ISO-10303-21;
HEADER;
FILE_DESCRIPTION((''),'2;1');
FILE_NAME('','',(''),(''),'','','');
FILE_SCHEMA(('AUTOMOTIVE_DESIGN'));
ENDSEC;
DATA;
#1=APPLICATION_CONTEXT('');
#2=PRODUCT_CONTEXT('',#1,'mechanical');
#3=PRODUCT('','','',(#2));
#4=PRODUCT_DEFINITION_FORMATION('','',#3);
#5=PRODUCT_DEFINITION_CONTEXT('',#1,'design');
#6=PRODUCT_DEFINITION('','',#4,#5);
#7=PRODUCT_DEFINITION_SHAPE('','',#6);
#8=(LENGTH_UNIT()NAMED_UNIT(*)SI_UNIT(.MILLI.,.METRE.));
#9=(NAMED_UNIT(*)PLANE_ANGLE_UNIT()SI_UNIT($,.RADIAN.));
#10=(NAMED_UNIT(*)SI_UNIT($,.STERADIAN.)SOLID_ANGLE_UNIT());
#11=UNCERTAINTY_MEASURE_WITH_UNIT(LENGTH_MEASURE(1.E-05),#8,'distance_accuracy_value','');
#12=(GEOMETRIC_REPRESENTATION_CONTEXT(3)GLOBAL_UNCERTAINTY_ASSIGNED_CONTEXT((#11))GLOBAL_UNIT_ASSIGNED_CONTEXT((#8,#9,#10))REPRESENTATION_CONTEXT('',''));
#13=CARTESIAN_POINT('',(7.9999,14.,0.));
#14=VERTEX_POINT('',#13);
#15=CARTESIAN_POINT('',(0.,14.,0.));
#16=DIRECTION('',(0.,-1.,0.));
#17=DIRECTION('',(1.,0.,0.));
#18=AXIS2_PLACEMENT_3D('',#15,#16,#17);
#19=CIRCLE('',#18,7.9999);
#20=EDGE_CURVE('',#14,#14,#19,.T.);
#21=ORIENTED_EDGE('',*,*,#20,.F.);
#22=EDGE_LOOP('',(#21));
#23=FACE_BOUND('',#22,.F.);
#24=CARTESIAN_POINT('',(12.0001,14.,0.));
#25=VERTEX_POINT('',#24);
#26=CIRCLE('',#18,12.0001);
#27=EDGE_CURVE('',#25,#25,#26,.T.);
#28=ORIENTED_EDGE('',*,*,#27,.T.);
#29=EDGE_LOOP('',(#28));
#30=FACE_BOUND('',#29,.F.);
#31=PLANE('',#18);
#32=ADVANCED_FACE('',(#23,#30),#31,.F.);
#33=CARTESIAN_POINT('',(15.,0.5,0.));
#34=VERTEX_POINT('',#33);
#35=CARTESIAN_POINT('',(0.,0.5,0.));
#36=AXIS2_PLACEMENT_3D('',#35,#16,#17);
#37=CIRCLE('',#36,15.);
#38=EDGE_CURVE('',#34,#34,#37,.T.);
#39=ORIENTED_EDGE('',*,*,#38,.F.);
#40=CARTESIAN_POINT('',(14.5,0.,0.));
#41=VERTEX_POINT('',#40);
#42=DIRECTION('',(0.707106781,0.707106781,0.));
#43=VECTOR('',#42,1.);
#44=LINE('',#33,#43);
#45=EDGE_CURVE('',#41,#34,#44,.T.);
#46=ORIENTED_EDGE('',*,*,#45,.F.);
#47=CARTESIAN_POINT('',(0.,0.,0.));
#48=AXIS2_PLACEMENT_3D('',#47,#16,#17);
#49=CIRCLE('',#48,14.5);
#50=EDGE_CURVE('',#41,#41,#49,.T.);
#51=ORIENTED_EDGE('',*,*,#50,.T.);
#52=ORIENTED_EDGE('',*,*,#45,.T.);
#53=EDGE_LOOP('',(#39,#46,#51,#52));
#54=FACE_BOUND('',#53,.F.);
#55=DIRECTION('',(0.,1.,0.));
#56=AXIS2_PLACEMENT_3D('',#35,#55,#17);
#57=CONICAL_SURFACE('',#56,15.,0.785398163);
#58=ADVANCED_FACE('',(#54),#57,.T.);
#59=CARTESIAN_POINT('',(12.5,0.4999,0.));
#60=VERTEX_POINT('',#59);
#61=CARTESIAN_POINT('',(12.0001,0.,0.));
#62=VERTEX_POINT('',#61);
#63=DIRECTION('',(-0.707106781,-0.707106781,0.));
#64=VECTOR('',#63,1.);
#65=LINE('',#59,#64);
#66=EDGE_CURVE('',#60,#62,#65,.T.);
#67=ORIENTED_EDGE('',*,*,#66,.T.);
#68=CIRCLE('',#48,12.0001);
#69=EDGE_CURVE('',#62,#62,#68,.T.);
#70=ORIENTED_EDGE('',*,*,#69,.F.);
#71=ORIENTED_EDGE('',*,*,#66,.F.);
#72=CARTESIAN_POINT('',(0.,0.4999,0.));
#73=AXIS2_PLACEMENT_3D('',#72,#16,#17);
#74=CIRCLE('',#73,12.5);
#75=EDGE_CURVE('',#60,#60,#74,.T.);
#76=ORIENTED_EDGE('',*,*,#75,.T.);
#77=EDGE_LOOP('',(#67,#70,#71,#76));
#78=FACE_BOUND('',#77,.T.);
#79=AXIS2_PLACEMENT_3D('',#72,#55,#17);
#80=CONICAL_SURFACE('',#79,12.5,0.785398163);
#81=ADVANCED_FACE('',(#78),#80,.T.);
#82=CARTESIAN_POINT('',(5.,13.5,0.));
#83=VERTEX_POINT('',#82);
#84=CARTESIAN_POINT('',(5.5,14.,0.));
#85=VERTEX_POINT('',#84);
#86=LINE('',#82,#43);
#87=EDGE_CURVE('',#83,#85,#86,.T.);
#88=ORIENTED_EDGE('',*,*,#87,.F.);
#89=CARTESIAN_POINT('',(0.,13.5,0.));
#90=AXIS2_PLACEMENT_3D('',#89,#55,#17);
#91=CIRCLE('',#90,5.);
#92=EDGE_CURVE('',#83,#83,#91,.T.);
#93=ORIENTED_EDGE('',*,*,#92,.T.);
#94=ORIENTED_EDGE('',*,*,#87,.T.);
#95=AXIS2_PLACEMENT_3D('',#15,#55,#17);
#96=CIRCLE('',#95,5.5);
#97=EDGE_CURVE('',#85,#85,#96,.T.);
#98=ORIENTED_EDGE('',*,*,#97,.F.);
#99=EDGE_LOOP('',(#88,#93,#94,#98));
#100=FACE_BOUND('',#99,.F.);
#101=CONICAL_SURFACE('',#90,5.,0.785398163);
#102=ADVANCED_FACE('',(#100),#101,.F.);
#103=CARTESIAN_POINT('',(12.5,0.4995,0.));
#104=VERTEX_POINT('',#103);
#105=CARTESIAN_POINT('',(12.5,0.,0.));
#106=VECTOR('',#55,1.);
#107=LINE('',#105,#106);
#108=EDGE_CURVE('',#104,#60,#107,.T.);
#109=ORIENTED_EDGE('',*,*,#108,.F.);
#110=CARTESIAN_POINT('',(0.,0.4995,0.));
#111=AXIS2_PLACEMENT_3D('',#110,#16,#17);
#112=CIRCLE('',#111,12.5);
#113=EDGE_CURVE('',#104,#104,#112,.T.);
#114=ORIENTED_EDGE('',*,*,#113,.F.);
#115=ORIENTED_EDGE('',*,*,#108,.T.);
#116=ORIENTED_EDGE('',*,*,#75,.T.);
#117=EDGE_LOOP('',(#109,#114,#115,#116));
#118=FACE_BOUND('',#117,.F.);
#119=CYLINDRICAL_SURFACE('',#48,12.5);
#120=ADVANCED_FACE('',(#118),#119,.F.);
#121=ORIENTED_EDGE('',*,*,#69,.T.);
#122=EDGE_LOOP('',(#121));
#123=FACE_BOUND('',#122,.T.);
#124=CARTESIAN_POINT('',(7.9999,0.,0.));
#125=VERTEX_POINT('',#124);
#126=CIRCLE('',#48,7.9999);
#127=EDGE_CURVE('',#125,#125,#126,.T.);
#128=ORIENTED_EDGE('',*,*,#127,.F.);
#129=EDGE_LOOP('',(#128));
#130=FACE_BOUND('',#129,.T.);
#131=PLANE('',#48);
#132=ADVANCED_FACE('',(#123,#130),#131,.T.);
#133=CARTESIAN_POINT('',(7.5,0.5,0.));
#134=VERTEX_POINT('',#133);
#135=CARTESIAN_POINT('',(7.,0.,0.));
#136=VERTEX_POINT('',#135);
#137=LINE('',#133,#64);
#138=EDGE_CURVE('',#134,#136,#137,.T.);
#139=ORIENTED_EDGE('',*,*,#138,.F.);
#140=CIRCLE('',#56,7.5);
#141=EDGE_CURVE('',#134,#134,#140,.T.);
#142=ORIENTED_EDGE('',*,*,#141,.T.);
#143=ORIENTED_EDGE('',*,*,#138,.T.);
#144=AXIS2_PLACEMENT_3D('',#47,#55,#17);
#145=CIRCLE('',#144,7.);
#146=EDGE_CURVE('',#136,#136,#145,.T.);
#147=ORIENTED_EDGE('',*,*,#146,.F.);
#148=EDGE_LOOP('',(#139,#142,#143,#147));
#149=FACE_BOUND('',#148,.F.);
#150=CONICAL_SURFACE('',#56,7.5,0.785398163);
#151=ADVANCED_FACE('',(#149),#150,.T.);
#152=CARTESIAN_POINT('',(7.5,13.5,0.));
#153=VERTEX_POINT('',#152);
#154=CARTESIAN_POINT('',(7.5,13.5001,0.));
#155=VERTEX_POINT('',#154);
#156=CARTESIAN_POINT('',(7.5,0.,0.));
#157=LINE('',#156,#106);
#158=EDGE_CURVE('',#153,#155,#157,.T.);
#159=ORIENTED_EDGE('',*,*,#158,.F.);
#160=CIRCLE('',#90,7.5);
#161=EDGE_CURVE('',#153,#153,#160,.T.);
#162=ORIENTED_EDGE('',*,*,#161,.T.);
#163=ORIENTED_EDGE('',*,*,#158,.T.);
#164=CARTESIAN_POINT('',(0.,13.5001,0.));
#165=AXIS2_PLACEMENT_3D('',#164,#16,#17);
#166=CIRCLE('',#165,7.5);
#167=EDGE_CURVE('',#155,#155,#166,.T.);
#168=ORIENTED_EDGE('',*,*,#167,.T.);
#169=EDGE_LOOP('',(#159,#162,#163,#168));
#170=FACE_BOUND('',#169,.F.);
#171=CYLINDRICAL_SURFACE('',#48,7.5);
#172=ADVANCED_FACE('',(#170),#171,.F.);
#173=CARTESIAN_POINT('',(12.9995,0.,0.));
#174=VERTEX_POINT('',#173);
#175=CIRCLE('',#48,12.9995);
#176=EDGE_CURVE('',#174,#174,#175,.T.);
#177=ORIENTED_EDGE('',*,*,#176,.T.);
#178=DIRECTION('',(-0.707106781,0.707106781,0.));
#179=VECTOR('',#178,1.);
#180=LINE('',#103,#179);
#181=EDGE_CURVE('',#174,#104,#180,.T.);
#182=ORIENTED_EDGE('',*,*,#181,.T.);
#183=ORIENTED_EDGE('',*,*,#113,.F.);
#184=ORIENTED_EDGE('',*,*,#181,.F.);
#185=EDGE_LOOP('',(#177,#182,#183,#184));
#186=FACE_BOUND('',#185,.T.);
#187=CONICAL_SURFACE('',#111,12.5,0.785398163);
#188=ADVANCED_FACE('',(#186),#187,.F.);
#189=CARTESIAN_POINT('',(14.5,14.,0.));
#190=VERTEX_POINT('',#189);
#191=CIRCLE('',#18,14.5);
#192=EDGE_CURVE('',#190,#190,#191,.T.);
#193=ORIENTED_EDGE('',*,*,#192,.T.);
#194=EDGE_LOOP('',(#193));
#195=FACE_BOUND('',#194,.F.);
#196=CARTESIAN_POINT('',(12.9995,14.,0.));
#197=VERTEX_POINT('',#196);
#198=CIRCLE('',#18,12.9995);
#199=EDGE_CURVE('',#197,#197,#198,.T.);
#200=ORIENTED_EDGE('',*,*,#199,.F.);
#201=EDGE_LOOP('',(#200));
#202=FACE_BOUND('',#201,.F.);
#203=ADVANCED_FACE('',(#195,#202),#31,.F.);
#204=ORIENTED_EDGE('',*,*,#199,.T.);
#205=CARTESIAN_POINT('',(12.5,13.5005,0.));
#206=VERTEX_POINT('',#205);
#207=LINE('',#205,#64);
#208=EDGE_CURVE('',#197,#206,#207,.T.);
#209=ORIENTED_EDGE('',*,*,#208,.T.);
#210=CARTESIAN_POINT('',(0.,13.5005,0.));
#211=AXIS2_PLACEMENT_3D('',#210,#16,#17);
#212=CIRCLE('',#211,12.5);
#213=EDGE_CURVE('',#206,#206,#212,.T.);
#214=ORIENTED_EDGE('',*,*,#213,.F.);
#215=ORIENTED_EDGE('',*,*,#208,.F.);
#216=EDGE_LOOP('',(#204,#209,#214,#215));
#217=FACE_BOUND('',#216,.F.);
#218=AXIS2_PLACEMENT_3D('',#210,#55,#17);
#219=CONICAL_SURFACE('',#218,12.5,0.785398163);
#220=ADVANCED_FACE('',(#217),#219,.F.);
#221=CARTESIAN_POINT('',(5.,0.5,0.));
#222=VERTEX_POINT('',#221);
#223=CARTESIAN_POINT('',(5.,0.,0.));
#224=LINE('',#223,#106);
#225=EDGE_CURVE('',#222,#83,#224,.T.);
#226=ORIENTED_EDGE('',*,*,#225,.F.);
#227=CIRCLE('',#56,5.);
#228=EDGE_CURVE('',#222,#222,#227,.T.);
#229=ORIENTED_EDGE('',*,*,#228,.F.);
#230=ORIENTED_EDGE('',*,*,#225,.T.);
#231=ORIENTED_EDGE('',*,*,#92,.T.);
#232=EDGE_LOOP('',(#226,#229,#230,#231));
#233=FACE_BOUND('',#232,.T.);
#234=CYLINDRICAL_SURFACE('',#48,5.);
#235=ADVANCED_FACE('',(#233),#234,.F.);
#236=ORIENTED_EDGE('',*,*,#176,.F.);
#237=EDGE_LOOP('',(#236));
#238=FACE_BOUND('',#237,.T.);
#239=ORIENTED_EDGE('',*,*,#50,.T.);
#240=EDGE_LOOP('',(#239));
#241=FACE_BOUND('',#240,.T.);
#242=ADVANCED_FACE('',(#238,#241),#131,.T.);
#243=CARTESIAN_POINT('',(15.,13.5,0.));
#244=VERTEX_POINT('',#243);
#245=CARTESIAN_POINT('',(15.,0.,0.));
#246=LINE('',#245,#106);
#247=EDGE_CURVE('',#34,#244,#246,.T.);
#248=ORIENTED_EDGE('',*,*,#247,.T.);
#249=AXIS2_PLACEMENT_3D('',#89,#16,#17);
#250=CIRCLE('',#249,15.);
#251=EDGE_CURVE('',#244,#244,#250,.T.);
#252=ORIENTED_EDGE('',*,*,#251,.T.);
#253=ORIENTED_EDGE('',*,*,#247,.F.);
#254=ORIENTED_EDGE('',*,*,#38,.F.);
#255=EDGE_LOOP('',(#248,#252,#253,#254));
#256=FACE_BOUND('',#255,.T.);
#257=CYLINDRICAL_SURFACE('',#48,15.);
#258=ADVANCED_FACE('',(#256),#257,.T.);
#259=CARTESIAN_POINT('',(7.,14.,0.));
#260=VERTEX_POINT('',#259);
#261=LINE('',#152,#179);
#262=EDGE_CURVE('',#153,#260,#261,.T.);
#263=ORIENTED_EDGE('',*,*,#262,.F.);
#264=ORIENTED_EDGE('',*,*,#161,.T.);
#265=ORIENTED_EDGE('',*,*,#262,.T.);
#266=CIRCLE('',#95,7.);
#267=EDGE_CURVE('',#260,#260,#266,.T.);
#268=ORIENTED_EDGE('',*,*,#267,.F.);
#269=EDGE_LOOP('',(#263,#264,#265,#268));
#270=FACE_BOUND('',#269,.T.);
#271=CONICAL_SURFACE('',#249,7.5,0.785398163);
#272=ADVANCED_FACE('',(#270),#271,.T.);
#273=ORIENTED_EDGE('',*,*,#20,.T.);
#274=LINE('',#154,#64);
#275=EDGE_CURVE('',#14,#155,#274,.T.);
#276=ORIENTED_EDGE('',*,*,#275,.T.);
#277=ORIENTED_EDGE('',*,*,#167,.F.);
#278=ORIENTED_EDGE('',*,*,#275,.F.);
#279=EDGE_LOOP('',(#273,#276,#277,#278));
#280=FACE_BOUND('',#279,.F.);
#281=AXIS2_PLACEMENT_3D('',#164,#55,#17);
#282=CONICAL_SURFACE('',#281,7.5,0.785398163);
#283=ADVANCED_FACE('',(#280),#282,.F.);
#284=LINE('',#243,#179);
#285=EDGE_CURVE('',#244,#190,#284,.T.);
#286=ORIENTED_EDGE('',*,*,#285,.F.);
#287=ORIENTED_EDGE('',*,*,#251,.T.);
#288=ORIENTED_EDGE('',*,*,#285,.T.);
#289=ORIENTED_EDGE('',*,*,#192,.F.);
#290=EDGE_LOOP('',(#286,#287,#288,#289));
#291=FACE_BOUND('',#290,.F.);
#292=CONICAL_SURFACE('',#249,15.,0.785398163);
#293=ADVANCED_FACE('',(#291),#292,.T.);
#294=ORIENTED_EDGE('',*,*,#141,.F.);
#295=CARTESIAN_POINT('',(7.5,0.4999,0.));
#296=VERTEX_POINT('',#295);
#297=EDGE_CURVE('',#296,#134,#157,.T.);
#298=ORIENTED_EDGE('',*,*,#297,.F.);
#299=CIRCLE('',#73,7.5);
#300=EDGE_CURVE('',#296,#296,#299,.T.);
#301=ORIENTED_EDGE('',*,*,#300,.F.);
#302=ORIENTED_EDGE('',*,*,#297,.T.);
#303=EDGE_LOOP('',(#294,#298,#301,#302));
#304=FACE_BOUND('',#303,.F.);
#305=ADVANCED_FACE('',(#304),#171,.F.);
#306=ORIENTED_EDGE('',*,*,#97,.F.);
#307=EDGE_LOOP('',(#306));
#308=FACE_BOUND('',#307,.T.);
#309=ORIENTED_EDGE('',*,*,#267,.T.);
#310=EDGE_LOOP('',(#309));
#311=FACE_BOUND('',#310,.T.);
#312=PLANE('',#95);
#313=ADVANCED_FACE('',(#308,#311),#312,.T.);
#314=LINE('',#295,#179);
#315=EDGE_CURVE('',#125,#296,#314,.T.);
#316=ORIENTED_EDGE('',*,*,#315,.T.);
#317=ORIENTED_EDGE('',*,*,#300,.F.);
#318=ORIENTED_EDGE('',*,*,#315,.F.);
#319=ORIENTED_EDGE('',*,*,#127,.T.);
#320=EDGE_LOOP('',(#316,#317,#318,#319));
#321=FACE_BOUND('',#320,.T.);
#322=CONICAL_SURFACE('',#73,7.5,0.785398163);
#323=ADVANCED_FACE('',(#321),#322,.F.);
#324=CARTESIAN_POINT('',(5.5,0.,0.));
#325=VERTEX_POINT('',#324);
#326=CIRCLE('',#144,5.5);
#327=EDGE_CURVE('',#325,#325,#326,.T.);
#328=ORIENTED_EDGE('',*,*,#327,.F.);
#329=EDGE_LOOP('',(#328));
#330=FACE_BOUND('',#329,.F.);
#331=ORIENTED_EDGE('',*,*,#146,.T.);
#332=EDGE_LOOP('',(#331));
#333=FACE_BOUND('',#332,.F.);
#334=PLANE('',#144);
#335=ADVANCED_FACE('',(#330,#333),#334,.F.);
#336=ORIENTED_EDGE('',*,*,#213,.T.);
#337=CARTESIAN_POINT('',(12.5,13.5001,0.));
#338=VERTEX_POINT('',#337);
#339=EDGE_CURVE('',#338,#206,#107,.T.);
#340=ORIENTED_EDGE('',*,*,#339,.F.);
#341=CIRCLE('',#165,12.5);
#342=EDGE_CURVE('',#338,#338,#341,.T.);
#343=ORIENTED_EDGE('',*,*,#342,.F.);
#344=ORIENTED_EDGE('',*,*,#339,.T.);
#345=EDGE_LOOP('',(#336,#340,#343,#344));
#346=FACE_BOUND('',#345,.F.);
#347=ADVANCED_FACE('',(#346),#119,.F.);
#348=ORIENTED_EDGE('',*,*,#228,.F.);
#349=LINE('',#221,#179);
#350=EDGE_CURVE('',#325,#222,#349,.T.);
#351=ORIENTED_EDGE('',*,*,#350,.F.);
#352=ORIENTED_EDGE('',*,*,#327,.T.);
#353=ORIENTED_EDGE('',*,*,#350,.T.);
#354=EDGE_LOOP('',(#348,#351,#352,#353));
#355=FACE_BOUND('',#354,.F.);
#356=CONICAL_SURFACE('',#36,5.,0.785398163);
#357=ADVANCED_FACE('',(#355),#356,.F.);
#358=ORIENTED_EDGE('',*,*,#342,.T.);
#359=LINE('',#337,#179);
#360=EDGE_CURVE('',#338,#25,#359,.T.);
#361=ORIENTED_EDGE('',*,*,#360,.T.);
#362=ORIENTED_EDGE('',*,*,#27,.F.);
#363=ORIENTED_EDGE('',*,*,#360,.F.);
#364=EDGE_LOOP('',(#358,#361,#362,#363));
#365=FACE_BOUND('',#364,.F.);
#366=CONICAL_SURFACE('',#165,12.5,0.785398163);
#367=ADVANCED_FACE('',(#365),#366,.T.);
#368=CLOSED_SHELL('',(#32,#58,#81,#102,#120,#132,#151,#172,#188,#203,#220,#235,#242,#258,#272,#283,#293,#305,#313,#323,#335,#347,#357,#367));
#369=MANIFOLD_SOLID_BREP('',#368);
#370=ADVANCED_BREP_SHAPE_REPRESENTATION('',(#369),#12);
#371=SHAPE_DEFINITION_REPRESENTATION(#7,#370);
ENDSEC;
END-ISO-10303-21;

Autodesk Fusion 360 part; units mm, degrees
sketch "Sketch1" plane through (0, 0, 0) normal (0, 1, 0) x (1, 0, 0)
  circle A0 centre (0, 0) radius 5
  circle A1 centre (0, 0) radius 7.5
  dimension "d1" = 10
  dimension "d2" = 15
extrude "Extrude1" add sketch "Sketch1" along normal blind 14
sketch "Sketch2" plane through (0, 0, 0) normal (0, -1, 0) x (1, 0, 0)
  circle A0 centre (0, 0) radius 5
  circle A1 centre (0, 0) radius 7.5
  circle A2 centre (0, 0) radius 7.5
  circle A3 centre (0, 0) radius 12.5
  dimension "d5" = 25
chamfer "Chamfer1" distance 0.5 angle 45 2 edges at (-6.9925, 0, 2.7121) (-6.9925, 14, 2.7121)
extrude "Extrude2" add sketch "Sketch2" against normal blind 14 contours A3
chamfer "Chamfer2" distance 0.5 angle 45 4 edges at (-6.9925, 0, 2.7121) (-6.9925, 14, -2.7121) (-11.6541, 14, 4.5202) (-11.6541, 0, -4.5202)
sketch "Sketch3" plane through (0, 0, 0) normal (0, -1, 0) x (1, 0, 0)
  circle A0 centre (0, 0) radius 8
  circle A1 centre (0, 0) radius 12
  circle A2 centre (0, 0) radius 12.5
  circle A3 centre (0, 0) radius 15
  dimension "d10" = 25
  dimension "d11" = 30
extrude "Extrude3" add sketch "Sketch3" against normal blind 14 contours A3
chamfer "Chamfer3" distance 0.5 angle 45 2 edges at (-11.6541, 0, 4.5202) (-11.6541, 14, -4.5202)
chamfer "Chamfer4" distance 0.5 angle 45 4 edges at (-13.9849, 14, 5.4242) (-13.9849, 0, -5.4242) (-4.6616, 0, -1.8081) (-4.6616, 14, -1.8081)
